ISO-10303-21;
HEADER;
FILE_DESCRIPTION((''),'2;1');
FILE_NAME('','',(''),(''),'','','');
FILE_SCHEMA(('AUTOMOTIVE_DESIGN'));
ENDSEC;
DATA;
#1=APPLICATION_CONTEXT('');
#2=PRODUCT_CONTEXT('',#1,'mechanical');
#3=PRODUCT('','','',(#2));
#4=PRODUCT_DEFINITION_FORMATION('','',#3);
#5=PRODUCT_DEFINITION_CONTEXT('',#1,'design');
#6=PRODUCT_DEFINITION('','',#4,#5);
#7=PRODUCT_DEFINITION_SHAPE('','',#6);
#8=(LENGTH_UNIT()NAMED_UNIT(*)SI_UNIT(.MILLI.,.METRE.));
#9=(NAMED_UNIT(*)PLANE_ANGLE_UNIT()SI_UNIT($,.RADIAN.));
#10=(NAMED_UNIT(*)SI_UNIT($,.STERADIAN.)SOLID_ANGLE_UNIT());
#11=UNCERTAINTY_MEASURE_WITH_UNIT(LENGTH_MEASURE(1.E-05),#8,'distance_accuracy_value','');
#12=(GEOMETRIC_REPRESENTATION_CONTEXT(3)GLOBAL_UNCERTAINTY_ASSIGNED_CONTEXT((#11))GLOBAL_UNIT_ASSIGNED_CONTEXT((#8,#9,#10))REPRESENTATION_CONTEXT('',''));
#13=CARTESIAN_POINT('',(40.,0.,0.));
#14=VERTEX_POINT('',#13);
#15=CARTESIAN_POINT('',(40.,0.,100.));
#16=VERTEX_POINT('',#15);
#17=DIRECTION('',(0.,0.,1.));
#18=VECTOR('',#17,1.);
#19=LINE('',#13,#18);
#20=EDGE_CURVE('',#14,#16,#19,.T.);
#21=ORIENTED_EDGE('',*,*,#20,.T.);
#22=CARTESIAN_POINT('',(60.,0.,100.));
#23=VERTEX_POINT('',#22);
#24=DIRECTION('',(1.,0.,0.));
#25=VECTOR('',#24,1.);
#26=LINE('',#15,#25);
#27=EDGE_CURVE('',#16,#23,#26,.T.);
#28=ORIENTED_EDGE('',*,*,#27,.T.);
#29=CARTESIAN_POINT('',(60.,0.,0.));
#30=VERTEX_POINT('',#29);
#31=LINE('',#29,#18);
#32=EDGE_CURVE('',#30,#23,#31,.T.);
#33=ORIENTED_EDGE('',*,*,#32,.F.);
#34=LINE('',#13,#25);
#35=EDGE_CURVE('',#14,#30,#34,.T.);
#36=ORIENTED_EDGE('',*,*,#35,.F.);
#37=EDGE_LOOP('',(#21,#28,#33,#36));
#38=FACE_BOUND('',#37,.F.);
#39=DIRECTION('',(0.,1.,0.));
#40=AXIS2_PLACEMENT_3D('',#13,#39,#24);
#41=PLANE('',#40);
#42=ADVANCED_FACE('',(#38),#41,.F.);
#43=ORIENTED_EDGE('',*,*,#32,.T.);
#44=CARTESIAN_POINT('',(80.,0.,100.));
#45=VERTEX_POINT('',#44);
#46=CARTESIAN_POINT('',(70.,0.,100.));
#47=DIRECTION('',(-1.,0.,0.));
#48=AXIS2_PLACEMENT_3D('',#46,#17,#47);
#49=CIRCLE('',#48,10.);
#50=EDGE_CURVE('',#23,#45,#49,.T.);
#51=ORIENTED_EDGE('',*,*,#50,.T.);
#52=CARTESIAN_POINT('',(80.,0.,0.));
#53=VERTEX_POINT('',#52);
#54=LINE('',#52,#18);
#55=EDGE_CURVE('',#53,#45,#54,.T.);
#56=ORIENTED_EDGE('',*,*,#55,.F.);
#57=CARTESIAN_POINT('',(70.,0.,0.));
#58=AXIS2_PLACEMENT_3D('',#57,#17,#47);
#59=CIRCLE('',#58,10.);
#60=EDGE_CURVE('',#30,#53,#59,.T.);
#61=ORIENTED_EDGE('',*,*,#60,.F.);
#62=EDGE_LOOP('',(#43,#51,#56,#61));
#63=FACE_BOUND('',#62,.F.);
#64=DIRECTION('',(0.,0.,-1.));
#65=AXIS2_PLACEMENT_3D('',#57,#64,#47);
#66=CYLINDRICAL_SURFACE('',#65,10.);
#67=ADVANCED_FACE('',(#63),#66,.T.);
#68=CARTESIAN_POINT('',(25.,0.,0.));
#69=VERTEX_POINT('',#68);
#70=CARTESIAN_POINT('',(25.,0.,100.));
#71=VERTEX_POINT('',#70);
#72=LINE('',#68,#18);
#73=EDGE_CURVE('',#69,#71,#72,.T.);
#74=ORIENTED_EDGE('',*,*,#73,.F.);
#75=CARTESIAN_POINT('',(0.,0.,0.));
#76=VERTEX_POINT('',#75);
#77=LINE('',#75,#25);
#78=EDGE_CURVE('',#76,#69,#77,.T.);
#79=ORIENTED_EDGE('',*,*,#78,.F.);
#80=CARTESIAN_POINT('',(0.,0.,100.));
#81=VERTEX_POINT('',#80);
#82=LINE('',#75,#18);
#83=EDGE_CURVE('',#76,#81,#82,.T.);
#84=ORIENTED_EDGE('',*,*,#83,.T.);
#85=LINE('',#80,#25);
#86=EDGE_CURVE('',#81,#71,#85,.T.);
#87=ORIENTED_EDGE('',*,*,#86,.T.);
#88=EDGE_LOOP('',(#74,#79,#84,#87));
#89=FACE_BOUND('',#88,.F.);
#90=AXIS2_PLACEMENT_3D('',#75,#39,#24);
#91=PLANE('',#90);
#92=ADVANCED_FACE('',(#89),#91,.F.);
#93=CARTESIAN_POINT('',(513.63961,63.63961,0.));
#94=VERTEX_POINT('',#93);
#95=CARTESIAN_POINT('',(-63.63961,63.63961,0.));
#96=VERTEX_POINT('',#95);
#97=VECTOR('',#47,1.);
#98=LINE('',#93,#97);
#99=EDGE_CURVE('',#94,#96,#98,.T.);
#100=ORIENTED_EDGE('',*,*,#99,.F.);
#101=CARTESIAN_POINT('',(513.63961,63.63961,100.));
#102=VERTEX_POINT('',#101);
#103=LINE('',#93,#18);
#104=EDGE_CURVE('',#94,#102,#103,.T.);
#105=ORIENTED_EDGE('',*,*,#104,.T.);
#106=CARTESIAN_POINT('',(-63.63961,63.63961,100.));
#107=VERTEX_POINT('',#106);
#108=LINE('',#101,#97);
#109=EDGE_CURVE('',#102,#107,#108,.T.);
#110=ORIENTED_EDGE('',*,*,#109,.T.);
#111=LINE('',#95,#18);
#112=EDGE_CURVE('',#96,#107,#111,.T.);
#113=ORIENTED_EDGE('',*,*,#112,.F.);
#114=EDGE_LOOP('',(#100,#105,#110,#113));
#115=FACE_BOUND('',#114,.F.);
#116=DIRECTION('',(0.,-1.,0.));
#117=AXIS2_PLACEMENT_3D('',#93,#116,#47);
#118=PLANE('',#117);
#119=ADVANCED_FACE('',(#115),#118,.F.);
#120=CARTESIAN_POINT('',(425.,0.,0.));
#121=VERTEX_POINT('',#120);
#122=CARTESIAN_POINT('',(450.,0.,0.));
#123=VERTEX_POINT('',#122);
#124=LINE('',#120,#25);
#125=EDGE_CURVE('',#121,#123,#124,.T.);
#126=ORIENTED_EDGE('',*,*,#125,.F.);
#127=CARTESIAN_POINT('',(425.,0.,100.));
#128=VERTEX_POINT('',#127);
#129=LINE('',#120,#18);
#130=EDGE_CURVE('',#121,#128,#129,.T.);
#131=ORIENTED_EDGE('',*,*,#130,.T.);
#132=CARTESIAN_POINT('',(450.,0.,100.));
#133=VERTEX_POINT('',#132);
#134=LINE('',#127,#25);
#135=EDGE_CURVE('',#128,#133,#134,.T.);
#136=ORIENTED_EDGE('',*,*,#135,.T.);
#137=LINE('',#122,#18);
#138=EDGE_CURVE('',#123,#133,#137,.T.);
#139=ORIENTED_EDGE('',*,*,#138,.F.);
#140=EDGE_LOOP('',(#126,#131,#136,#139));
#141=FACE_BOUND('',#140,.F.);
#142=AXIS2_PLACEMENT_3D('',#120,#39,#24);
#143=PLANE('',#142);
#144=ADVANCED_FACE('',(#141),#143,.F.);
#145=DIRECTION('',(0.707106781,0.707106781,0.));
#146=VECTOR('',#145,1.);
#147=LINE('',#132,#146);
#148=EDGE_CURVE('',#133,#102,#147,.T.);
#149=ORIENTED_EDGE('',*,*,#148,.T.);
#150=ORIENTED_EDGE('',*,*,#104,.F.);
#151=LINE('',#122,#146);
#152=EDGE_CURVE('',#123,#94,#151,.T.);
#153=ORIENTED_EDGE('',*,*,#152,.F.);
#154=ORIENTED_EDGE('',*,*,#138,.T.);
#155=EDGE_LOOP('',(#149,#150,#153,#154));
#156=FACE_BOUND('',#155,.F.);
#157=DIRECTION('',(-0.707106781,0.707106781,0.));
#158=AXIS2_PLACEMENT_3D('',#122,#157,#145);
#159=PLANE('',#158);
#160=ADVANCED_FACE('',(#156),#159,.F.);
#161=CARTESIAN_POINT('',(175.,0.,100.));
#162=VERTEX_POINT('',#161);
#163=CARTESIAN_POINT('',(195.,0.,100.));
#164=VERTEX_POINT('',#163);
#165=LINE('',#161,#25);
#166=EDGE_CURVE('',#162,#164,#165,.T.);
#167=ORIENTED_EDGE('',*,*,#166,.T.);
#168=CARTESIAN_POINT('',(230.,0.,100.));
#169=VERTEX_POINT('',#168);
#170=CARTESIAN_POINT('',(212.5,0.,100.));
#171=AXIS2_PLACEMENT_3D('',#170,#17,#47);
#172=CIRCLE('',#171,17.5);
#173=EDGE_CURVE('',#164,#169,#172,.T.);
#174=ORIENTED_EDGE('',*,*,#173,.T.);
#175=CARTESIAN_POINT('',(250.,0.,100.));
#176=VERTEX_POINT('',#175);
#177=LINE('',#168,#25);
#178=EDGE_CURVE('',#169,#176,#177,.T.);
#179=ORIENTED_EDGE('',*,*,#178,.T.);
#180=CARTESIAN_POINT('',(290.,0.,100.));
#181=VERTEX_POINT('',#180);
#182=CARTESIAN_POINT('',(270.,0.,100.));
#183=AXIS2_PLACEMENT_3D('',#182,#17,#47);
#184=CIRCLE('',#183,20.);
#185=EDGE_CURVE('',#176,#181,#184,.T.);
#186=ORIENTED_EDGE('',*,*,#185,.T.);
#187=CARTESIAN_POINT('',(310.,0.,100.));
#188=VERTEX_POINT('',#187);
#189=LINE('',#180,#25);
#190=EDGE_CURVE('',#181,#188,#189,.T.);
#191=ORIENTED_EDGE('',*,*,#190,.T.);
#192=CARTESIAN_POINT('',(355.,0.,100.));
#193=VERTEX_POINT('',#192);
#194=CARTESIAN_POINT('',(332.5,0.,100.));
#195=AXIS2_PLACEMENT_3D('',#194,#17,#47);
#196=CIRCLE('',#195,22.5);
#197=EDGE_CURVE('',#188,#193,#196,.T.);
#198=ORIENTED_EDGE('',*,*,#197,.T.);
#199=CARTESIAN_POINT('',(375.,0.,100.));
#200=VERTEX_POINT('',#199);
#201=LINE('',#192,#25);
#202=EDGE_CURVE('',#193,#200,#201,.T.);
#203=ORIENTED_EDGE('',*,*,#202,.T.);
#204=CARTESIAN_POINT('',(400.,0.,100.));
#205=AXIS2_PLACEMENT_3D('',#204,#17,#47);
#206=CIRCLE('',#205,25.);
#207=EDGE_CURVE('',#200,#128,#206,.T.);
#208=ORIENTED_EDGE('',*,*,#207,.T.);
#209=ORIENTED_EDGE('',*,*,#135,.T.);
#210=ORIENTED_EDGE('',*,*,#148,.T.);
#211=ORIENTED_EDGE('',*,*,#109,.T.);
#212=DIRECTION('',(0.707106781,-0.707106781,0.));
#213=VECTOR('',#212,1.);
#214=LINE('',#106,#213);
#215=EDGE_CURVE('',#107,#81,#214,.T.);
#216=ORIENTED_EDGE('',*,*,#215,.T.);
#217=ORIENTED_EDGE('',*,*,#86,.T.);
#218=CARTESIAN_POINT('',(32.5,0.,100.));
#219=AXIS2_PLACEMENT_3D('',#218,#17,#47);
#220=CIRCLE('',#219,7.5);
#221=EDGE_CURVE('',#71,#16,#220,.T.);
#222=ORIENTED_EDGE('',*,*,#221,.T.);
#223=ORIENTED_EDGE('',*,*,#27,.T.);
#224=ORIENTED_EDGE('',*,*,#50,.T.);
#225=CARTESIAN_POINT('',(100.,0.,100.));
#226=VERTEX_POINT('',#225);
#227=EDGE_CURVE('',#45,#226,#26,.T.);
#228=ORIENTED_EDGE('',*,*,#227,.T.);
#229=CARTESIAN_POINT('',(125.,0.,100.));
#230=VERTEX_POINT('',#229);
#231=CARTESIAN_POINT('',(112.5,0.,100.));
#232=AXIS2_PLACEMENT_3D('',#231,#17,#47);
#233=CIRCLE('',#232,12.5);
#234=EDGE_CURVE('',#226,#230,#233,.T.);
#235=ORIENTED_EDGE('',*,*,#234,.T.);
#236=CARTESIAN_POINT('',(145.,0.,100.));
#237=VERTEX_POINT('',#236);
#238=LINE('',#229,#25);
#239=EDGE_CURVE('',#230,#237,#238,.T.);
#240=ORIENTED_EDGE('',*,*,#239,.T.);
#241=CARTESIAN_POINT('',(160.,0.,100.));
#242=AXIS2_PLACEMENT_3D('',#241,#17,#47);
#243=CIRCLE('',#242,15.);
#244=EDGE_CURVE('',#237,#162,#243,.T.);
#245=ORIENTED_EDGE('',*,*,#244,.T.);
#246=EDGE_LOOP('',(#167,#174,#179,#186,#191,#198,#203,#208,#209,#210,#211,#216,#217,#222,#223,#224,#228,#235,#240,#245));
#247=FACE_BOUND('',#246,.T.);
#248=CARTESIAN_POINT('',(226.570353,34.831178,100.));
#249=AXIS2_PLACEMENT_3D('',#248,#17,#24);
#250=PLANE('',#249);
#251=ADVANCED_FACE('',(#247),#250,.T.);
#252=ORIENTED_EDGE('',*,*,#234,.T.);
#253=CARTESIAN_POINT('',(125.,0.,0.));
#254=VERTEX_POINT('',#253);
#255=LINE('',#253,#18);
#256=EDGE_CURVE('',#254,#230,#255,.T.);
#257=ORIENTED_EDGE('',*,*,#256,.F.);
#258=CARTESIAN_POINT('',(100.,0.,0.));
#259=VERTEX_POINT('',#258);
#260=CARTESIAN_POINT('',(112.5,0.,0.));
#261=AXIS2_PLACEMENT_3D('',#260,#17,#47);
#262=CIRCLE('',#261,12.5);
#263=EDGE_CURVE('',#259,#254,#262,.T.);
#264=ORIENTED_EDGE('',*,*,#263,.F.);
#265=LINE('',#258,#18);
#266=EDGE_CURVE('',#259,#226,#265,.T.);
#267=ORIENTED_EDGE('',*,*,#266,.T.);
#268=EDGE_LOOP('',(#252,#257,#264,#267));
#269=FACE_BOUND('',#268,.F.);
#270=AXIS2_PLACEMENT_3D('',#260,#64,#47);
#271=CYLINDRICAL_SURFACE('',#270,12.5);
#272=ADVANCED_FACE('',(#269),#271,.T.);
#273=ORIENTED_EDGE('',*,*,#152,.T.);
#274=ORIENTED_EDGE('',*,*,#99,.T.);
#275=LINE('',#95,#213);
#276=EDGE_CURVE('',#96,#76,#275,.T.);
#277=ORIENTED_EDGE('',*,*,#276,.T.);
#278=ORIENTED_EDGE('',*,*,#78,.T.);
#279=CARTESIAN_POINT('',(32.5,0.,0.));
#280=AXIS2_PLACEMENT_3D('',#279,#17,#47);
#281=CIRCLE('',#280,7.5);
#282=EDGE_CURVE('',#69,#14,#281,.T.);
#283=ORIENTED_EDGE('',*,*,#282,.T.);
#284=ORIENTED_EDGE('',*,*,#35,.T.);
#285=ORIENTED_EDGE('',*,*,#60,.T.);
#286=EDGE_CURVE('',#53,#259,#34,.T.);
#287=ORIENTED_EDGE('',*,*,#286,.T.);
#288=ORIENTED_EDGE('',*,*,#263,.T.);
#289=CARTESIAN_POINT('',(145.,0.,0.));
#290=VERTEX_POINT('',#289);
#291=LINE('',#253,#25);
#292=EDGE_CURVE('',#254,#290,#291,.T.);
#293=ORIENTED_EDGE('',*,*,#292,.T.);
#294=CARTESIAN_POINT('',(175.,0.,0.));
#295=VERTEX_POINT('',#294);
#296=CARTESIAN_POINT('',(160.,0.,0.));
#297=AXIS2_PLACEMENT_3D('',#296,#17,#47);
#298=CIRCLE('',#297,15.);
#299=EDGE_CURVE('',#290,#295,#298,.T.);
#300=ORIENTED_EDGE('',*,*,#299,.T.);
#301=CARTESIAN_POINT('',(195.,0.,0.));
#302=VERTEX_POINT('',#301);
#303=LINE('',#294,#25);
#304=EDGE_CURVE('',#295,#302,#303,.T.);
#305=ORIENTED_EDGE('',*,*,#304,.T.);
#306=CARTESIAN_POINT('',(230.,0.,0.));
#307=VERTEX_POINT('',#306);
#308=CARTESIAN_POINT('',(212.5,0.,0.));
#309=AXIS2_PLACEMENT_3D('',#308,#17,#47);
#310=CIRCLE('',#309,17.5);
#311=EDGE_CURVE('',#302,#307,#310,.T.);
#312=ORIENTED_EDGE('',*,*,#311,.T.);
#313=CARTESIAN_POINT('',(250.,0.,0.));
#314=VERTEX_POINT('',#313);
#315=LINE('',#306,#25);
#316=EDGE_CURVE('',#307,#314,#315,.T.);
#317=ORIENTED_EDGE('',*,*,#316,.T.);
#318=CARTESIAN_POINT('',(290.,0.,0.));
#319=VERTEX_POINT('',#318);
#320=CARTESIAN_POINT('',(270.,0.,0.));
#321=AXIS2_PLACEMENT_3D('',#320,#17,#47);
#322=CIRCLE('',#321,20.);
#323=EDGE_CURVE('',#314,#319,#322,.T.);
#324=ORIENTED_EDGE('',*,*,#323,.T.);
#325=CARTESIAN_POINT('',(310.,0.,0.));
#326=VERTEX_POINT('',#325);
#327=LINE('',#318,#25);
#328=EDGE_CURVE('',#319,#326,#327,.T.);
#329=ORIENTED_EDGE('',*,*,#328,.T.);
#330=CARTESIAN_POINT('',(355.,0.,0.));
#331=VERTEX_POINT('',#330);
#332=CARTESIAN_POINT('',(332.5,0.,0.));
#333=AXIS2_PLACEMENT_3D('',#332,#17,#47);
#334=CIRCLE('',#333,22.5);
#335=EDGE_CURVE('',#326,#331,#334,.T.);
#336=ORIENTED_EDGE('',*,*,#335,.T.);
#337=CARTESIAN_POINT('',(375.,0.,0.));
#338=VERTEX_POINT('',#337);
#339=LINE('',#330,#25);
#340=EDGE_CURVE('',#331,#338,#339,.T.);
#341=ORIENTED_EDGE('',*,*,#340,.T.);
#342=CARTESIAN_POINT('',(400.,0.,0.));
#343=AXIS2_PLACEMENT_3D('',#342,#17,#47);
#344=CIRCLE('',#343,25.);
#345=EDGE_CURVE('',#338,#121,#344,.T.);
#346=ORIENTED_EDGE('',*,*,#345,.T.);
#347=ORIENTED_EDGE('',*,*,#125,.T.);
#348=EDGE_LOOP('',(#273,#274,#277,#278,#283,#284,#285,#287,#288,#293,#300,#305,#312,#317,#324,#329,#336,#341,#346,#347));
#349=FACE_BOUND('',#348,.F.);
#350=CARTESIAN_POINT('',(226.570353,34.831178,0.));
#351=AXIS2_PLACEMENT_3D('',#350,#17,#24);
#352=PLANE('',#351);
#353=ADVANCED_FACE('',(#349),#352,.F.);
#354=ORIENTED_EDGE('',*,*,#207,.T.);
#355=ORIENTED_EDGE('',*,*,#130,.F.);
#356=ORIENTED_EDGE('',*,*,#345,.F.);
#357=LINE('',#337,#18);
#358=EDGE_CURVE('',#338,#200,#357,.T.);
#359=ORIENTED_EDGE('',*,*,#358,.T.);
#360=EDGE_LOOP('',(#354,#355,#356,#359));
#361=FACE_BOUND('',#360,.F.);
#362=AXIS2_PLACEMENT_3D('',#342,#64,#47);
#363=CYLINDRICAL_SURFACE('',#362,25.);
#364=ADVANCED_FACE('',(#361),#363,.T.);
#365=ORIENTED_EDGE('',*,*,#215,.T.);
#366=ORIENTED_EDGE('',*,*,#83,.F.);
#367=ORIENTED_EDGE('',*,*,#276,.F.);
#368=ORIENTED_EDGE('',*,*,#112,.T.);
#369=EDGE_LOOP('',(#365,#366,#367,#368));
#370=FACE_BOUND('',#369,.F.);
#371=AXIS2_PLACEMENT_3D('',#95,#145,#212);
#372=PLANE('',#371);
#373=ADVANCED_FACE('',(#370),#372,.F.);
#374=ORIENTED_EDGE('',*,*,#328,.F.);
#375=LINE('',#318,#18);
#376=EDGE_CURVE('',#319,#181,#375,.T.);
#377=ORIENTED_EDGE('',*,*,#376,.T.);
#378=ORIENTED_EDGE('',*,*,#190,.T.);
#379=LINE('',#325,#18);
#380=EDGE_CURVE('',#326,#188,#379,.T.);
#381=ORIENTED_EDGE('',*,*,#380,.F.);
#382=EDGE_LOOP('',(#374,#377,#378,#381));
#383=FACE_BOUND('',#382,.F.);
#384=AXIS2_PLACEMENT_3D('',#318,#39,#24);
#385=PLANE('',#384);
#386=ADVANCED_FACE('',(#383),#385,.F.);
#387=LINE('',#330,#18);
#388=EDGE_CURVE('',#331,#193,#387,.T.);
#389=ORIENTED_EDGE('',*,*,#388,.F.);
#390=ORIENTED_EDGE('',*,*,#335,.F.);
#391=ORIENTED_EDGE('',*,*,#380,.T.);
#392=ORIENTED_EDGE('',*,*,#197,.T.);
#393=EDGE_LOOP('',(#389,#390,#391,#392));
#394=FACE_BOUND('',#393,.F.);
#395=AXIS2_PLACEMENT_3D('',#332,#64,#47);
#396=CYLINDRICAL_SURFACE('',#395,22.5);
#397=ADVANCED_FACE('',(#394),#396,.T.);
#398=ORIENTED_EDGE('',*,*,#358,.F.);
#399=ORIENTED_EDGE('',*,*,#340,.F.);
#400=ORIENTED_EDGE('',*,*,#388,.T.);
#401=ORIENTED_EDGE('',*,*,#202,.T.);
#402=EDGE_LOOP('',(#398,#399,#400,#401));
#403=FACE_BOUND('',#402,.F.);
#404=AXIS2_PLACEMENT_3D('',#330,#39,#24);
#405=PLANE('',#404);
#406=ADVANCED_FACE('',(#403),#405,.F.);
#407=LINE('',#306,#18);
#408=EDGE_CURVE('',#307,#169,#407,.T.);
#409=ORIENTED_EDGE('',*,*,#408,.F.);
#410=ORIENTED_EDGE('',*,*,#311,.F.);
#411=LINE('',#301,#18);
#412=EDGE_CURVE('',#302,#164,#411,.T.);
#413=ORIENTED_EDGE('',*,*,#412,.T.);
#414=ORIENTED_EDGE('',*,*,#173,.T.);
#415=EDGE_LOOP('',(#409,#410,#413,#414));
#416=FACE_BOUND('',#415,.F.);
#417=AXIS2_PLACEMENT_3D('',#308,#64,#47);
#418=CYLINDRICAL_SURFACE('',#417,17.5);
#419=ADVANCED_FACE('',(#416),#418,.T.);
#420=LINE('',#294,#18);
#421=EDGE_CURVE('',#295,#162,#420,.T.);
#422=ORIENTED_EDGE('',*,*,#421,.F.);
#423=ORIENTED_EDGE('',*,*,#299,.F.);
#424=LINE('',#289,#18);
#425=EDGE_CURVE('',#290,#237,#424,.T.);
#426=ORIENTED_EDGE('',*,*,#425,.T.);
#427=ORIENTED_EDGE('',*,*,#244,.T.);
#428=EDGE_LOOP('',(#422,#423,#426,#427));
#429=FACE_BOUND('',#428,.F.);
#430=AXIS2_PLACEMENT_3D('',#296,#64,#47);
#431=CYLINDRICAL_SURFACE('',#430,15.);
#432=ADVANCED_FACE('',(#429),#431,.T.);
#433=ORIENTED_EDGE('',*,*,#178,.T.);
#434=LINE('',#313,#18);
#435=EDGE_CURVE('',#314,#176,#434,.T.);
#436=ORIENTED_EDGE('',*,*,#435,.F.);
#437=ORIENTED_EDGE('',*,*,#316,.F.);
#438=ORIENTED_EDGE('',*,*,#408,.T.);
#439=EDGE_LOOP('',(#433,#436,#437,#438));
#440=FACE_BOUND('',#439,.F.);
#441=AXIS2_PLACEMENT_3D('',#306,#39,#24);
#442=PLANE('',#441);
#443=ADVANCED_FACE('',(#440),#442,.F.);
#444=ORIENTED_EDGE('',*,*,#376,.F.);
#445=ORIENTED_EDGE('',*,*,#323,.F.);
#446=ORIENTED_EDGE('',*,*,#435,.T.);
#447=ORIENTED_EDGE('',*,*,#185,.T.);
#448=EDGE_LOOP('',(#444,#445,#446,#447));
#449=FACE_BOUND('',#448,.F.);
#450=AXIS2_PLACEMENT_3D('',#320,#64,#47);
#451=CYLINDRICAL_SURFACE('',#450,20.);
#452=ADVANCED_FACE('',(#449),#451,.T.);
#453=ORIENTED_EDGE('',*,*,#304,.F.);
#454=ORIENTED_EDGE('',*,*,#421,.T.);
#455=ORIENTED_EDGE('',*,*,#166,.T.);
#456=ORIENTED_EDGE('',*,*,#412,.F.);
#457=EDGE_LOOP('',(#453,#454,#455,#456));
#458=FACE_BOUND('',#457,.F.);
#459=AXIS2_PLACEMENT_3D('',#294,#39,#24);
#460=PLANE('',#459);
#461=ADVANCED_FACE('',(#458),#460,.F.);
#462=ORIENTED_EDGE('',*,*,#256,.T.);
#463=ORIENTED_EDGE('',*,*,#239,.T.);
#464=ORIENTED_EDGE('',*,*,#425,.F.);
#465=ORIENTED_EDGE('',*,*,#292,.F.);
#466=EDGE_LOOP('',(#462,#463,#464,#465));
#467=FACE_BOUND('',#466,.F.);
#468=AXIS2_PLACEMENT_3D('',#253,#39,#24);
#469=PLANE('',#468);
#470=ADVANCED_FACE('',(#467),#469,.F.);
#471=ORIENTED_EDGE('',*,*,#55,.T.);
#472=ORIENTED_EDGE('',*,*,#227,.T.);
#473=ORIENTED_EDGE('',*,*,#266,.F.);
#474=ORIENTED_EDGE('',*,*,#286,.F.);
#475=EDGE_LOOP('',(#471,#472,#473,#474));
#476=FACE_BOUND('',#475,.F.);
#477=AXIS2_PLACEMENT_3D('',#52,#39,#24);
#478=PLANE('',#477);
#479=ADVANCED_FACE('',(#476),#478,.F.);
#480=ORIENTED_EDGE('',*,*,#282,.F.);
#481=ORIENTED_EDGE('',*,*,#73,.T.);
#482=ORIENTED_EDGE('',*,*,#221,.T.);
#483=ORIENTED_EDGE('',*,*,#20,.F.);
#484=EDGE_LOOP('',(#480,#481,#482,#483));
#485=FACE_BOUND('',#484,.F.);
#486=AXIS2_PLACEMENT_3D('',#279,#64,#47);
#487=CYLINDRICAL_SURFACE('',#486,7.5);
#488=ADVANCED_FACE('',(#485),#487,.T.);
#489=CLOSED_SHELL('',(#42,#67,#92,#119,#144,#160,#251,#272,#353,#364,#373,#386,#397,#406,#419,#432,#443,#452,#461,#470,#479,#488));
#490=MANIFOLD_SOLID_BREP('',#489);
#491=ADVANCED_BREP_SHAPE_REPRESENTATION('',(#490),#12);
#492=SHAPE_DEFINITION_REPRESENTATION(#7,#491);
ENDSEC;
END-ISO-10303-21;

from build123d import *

# Parameters (mm, degrees)
F1_DEPTH = 100


with BuildPart() as f1:
    # F0 (on Top) → F1 (new body)
    with BuildSketch(Plane.XY):
        with BuildLine():
            ThreePointArc((375, 0), (400, 25), (425, 0))
            Line((425, 0), (450, 0))
            Line((450, 0), (513.6396103068, 63.6396103068))
            Line((513.6396103068, 63.6396103068), (-63.6396103068, 63.6396103068))
            Line((-63.6396103068, 63.6396103068), (0, 0))
            Line((0, 0), (25, 0))
            ThreePointArc((25, 0), (32.5, 7.5), (40, 0))
            Line((40, 0), (60, 0))
            ThreePointArc((60, 0), (70, 10), (80, 0))
            Line((80, 0), (100, 0))
            ThreePointArc((100, 0), (112.5, 12.5), (125, 0))
            Line((125, 0), (145, 0))
            ThreePointArc((145, 0), (160, 15), (175, 0))
            Line((175, 0), (195, 0))
            ThreePointArc((195, 0), (212.5, 17.5), (230, 0))
            Line((230, 0), (250, 0))
            ThreePointArc((250, 0), (270, 20), (290, 0))
            Line((290, 0), (310, 0))
            ThreePointArc((310, 0), (332.5, 22.5), (355, 0))
            Line((355, 0), (375, 0))
        make_face()
        with BuildLine():
            ThreePointArc((40, 0), (32.5, 7.5), (25, 0))
            Line((25, 0), (40, 0))
        make_face()
        with BuildLine():
            Line((40, 0), (25, 0))
            ThreePointArc((25, 0), (32.5, -7.5), (40, 0))
        make_face()
        with BuildLine():
            ThreePointArc((80, 0), (70, 10), (60, 0))
            Line((60, 0), (80, 0))
        make_face()
        with BuildLine():
            Line((80, 0), (60, 0))
            ThreePointArc((60, 0), (70, -10), (80, 0))
        make_face()
        with BuildLine():
            Line((125, 0), (100, 0))
            ThreePointArc((100, 0), (112.5, -12.5), (125, 0))
        make_face()
        with BuildLine():
            ThreePointArc((125, 0), (112.5, 12.5), (100, 0))
            Line((100, 0), (125, 0))
        make_face()
        with BuildLine():
            ThreePointArc((145, 0), (160, -15), (175, 0))
            Line((175, 0), (145, 0))
        make_face()
        with BuildLine():
            Line((145, 0), (175, 0))
            ThreePointArc((175, 0), (160, 15), (145, 0))
        make_face()
        with BuildLine():
            ThreePointArc((195, 0), (212.5, -17.5), (230, 0))
            Line((230, 0), (195, 0))
        make_face()
        with BuildLine():
            Line((195, 0), (230, 0))
            ThreePointArc((230, 0), (212.5, 17.5), (195, 0))
        make_face()
        with BuildLine():
            ThreePointArc((250, 0), (270, -20), (290, 0))
            Line((290, 0), (250, 0))
        make_face()
        with BuildLine():
            Line((250, 0), (290, 0))
            ThreePointArc((290, 0), (270, 20), (250, 0))
        make_face()
        with BuildLine():
            ThreePointArc((310, 0), (332.5, -22.5), (355, 0))
            Line((355, 0), (310, 0))
        make_face()
        with BuildLine():
            Line((310, 0), (355, 0))
            ThreePointArc((355, 0), (332.5, 22.5), (310, 0))
        make_face()
        with BuildLine():
            ThreePointArc((375, 0), (400, -25), (425, 0))
            Line((425, 0), (375, 0))
        make_face()
        with BuildLine():
            Line((375, 0), (425, 0))
            ThreePointArc((425, 0), (400, 25), (375, 0))
        make_face()
    extrude(amount=F1_DEPTH)


solid = f1.part
